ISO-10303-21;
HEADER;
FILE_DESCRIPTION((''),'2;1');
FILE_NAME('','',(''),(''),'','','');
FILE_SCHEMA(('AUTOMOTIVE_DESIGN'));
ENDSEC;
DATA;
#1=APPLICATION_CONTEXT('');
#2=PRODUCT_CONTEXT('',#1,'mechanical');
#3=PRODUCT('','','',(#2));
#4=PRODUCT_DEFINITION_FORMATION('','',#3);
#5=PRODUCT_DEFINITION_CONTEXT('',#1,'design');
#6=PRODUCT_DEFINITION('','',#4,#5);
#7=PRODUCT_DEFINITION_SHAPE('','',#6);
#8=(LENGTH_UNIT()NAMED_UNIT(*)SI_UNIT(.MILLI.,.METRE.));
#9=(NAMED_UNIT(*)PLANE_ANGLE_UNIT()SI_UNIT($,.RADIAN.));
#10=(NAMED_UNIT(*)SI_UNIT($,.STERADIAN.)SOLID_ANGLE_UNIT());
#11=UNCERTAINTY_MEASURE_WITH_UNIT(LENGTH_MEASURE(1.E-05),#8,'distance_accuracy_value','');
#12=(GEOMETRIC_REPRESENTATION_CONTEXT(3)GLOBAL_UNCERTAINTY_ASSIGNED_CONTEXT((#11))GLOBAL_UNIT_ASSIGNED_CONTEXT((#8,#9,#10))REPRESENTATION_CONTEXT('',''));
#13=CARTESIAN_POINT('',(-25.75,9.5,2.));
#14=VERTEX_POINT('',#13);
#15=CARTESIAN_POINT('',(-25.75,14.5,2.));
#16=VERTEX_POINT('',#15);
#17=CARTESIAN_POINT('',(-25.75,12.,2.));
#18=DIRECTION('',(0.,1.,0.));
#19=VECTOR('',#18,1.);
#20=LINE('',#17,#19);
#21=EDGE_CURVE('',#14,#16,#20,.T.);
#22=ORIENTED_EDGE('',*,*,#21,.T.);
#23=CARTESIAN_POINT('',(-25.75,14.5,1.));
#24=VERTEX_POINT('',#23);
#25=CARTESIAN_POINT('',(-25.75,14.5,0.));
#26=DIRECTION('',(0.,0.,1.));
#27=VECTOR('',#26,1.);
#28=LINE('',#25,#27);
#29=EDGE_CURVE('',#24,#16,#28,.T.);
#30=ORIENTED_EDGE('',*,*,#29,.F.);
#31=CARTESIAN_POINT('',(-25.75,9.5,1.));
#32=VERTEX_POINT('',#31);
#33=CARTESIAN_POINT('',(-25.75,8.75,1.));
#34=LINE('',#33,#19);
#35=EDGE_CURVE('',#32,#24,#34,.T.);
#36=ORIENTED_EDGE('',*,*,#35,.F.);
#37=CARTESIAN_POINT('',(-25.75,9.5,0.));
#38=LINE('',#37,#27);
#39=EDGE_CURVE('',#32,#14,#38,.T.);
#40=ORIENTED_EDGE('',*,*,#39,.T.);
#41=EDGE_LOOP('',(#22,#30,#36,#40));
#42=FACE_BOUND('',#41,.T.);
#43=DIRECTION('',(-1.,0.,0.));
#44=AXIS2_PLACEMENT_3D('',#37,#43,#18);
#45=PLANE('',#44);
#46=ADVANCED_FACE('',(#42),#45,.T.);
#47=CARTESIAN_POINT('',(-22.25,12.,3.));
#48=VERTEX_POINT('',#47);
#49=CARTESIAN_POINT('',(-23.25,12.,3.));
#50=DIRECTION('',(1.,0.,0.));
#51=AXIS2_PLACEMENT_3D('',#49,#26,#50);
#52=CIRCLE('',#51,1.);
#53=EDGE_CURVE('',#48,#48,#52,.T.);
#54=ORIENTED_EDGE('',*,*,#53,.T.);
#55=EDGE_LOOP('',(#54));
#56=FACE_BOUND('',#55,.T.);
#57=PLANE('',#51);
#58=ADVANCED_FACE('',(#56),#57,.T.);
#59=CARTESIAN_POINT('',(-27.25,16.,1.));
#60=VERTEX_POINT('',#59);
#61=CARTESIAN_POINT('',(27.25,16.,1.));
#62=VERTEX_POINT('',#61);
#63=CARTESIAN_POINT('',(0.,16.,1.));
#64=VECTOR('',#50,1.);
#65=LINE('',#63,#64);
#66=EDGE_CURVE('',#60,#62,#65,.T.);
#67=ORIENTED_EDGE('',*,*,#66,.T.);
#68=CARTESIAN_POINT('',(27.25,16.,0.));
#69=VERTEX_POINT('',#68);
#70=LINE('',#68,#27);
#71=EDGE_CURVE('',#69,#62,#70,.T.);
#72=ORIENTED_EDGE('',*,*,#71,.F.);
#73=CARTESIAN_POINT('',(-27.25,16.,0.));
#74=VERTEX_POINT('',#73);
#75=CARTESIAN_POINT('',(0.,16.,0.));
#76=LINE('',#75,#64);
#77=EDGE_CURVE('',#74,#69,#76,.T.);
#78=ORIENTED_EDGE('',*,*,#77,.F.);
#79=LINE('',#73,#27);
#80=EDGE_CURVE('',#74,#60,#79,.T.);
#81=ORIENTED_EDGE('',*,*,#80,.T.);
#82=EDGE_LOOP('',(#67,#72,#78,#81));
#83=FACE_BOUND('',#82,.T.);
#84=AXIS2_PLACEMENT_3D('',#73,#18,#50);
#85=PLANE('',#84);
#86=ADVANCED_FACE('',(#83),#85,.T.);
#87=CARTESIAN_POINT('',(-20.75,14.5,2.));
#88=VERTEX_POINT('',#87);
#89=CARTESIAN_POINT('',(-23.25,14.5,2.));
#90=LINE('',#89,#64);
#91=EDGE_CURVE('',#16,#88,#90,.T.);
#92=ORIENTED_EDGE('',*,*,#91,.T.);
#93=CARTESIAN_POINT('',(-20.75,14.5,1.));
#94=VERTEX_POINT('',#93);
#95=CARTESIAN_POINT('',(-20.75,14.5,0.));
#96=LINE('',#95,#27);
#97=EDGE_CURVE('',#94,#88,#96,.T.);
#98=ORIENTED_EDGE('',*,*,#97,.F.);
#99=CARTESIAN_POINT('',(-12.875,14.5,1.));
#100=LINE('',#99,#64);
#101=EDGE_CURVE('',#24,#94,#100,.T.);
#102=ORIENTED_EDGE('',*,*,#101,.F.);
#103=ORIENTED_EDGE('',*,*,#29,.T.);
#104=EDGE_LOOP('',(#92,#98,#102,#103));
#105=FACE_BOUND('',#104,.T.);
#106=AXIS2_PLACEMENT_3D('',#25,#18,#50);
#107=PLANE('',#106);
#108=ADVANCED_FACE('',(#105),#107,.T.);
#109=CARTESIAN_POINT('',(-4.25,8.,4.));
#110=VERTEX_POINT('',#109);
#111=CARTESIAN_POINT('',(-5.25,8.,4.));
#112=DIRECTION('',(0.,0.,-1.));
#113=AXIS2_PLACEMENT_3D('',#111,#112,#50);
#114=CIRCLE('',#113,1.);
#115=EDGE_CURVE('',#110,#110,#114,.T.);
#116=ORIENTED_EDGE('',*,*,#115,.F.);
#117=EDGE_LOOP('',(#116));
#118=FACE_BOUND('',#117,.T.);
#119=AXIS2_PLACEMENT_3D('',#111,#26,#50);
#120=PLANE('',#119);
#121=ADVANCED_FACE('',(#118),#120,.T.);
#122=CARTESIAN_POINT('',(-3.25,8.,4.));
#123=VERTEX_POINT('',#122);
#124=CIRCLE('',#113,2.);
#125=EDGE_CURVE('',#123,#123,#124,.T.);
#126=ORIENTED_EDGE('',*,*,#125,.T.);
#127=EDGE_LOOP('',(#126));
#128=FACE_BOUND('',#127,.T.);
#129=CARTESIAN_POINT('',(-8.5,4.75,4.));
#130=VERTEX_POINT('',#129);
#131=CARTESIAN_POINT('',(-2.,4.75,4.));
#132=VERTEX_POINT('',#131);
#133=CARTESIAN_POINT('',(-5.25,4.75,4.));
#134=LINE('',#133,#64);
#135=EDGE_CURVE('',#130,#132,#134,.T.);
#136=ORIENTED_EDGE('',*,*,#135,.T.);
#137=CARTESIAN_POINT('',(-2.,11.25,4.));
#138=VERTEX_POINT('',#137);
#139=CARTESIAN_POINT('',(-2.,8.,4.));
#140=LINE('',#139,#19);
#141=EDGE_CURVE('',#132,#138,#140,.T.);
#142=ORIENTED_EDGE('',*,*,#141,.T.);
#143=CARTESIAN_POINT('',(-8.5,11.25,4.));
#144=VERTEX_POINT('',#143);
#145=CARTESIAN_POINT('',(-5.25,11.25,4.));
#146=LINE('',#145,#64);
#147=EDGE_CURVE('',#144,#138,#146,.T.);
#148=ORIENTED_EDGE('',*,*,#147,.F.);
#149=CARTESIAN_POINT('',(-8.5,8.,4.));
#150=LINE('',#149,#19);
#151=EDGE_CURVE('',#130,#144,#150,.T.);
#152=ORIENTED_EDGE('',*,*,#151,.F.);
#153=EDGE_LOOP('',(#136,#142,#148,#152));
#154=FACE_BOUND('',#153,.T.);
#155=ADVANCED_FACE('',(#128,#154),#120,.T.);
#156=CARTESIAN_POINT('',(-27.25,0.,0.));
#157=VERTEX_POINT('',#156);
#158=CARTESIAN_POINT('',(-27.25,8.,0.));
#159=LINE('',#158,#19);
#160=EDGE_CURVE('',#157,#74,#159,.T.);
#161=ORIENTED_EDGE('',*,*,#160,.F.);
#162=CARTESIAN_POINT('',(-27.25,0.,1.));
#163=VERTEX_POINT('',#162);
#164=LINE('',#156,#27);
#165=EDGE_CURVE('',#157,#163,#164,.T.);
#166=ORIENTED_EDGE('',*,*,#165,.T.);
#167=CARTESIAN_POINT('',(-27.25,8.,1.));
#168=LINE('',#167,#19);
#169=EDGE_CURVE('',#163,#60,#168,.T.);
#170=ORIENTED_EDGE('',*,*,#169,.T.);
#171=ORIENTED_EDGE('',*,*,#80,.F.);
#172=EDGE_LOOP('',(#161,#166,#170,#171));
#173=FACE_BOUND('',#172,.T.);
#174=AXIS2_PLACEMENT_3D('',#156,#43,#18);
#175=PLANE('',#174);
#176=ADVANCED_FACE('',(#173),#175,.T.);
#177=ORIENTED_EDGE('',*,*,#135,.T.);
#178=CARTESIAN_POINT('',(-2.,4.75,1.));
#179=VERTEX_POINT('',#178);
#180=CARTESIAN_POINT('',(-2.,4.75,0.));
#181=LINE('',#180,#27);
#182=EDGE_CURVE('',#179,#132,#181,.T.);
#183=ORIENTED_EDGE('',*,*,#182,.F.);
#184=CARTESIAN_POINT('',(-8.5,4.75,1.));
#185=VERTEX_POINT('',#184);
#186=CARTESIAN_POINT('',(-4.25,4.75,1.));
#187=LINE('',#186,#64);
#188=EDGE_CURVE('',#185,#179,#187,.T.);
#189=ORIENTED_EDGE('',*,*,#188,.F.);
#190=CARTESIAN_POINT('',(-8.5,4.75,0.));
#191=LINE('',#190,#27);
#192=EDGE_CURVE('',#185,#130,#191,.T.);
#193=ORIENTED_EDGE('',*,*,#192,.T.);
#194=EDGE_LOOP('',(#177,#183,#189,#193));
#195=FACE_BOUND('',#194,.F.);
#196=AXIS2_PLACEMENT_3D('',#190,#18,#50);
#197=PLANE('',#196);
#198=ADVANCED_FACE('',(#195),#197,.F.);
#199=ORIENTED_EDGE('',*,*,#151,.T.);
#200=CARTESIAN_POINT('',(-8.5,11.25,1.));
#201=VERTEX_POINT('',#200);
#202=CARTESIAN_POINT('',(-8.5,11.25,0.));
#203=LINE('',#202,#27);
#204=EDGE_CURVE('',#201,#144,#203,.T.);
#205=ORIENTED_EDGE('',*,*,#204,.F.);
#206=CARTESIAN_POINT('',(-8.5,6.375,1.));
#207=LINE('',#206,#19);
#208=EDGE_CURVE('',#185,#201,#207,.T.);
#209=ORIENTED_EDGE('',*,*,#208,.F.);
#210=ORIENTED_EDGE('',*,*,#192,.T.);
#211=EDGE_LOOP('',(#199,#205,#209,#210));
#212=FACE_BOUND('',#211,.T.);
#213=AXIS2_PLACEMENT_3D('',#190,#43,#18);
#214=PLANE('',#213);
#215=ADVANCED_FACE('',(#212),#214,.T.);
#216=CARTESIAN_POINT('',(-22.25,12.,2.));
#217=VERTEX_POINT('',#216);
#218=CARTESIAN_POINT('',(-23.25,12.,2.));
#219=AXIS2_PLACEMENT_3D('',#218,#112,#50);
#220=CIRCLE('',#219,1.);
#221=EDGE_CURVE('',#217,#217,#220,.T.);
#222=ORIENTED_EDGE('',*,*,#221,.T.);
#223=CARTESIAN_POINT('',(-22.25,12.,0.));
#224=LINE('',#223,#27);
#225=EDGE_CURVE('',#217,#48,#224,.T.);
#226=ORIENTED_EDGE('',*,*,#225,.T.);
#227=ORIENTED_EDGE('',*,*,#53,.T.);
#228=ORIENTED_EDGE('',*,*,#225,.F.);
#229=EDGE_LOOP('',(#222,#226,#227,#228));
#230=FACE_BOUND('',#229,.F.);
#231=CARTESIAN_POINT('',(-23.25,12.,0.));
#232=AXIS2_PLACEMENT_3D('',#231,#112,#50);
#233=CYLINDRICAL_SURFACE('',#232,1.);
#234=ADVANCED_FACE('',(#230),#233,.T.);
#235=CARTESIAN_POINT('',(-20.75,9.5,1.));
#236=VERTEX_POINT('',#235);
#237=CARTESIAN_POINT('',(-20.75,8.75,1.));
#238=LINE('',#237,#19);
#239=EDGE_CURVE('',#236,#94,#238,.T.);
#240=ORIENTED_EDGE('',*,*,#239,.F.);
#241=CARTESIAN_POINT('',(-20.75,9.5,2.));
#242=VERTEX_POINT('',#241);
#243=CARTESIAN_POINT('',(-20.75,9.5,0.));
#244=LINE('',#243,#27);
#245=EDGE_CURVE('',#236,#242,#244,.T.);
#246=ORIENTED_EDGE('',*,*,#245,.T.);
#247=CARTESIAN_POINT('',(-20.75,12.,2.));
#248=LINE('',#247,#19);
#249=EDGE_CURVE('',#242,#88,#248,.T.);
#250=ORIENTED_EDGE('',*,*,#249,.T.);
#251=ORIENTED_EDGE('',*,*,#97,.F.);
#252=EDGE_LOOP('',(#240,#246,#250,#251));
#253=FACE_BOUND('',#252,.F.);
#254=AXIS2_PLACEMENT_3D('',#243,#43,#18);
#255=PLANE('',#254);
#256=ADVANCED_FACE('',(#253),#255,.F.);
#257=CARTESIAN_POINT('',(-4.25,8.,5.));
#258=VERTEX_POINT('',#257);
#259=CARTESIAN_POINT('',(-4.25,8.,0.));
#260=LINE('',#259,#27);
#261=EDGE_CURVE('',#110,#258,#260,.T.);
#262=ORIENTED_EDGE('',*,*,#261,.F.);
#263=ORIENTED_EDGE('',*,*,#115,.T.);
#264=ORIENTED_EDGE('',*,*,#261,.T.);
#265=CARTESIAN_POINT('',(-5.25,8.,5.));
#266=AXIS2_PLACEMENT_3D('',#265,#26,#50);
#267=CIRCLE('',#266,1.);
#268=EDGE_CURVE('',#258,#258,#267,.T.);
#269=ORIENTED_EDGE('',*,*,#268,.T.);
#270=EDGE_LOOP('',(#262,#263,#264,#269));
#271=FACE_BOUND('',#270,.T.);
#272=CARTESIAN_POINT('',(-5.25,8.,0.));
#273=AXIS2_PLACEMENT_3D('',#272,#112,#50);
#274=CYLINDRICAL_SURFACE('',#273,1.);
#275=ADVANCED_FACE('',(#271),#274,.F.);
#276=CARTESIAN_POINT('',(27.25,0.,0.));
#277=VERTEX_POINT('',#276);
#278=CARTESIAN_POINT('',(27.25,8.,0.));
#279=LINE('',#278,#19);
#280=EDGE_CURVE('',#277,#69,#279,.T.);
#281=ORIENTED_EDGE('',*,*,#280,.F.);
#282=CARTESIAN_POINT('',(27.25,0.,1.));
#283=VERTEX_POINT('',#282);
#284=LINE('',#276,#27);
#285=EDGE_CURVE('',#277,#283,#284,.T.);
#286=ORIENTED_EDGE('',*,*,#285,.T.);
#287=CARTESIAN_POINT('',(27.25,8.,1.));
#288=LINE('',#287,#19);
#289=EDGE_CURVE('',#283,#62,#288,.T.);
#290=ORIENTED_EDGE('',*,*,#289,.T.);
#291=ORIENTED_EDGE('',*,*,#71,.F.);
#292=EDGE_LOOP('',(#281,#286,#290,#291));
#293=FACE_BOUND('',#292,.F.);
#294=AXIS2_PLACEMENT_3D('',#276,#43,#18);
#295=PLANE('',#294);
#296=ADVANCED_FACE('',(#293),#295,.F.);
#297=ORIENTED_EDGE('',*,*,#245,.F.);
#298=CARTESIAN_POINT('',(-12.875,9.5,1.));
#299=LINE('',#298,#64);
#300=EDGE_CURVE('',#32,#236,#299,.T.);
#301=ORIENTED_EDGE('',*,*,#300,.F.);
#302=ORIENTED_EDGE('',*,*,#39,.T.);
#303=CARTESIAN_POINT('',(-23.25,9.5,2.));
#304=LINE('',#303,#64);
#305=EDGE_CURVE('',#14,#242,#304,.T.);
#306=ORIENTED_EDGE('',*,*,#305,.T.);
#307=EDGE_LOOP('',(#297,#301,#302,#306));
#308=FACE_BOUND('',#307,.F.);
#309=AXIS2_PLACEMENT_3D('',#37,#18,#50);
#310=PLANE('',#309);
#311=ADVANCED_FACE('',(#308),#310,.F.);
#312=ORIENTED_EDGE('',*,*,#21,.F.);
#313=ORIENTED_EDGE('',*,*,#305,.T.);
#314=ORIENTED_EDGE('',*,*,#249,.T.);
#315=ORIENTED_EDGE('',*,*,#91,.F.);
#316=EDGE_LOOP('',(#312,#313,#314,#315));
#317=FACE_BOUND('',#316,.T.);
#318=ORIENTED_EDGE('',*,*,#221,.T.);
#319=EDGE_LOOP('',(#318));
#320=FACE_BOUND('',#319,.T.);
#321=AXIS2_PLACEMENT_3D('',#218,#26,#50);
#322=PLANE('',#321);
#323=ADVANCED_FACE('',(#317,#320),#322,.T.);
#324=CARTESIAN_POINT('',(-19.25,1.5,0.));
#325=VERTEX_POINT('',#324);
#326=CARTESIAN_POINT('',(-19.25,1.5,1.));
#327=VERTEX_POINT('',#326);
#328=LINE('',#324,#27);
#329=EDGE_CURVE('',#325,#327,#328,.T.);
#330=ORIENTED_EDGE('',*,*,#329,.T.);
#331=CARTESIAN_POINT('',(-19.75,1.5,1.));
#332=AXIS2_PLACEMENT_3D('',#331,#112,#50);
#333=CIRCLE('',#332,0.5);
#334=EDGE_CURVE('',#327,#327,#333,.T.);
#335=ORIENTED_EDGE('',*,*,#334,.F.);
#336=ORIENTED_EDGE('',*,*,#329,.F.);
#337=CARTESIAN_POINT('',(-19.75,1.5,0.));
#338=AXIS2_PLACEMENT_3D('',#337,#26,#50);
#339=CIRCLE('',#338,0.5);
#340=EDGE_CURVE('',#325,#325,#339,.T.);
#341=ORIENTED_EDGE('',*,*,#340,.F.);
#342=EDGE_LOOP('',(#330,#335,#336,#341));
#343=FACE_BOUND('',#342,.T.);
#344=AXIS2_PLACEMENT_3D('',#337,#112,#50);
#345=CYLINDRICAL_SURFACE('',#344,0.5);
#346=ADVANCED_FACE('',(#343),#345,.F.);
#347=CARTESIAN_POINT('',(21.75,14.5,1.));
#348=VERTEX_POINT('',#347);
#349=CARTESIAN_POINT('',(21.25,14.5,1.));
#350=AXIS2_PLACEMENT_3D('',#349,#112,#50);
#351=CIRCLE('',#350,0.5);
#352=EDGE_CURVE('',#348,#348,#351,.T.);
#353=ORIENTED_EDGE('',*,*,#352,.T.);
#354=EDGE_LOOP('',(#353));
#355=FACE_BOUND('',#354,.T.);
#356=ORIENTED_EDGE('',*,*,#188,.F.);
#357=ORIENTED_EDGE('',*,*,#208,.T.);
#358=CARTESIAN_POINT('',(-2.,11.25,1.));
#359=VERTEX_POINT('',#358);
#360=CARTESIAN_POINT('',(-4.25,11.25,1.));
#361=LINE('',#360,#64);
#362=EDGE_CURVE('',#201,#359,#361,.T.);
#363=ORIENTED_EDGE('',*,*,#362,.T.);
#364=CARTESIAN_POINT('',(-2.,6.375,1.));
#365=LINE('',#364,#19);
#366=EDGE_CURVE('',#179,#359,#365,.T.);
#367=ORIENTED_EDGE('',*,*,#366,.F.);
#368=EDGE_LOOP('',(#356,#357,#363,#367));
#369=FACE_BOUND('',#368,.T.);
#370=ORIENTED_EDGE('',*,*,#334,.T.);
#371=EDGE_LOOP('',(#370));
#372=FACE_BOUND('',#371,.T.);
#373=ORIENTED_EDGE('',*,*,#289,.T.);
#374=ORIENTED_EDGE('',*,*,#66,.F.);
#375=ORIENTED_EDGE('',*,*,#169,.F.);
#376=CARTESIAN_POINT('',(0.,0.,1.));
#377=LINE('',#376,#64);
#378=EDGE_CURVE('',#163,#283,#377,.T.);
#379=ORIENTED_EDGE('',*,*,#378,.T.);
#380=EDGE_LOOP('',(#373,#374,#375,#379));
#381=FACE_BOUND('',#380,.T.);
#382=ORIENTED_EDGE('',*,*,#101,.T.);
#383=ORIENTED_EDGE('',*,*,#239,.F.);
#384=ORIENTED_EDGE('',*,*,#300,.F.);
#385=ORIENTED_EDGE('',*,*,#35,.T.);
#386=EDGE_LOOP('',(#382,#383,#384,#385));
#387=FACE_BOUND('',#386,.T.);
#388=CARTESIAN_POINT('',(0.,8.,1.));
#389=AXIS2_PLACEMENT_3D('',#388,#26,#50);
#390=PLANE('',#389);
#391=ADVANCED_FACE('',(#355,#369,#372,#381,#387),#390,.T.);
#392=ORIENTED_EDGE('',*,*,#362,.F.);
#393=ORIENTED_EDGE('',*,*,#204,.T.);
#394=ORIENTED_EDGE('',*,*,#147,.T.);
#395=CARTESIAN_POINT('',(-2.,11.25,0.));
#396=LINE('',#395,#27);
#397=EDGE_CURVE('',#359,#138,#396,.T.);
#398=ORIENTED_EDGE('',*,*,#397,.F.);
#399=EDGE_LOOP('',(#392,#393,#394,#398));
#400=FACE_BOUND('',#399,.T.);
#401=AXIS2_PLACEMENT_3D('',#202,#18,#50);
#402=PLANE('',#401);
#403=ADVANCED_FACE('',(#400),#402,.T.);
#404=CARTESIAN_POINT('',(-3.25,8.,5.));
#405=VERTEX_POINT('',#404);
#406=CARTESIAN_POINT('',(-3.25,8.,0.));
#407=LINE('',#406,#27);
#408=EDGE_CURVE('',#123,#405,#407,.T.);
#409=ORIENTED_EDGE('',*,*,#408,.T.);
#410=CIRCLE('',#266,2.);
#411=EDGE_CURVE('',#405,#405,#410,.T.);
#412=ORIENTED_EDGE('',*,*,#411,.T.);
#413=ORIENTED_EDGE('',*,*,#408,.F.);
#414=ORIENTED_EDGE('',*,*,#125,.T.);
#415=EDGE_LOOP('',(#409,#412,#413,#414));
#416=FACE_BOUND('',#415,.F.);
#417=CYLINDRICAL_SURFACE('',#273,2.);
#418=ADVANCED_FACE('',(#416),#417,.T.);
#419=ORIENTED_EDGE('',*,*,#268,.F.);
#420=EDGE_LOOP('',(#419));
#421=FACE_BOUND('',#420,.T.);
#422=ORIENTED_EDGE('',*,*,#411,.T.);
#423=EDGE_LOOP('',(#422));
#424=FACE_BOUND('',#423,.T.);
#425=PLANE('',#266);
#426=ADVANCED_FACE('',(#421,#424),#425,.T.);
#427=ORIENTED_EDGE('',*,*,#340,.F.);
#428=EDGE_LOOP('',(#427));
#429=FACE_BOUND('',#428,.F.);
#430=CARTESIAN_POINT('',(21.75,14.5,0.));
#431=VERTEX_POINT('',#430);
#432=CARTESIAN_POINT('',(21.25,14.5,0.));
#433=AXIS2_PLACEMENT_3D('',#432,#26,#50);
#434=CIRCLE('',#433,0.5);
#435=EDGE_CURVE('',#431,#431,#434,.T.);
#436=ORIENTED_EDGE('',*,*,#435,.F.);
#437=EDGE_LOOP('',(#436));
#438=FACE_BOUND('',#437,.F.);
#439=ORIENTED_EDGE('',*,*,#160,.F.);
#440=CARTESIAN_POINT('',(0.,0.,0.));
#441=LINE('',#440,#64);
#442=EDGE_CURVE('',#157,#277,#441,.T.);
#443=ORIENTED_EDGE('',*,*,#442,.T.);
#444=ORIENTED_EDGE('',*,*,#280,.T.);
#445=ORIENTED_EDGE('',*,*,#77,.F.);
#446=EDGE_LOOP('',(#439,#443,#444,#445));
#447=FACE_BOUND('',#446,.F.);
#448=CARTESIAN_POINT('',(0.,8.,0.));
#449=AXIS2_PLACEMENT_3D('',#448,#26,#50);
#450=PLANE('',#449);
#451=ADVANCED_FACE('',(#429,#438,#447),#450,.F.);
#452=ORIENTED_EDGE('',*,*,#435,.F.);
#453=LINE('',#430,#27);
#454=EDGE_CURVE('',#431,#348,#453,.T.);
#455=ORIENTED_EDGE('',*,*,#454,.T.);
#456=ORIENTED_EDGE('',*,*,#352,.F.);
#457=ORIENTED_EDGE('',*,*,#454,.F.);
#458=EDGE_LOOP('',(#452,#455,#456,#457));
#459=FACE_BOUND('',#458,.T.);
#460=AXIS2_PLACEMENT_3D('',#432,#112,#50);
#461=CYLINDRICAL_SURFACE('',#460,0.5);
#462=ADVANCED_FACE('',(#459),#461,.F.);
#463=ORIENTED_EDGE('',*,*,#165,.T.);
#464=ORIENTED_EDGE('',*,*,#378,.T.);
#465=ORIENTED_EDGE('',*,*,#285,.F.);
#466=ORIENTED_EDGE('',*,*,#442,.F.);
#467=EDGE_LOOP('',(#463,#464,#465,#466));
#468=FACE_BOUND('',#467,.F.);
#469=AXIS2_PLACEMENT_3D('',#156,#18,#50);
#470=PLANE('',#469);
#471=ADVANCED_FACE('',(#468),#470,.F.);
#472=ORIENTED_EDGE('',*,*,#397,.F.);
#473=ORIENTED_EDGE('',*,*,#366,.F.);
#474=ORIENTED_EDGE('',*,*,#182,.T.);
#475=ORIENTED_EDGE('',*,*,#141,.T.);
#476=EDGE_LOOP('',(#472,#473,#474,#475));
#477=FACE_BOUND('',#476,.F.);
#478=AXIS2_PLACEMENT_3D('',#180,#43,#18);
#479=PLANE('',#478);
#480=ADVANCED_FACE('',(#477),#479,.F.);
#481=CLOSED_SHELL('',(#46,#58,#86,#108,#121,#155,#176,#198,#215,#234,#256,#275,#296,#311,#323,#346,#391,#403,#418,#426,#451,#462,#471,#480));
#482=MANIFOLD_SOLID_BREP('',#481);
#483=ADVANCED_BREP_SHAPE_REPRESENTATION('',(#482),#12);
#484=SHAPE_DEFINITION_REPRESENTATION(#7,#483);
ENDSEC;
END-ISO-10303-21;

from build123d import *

# Parameters (mm, degrees)
BOX001_W          = 5
BOX001_H          = 5
BOX001_DEPTH      = 2
CYLINDER004_R     = 1
CYLINDER004_DEPTH = 3
CYLINDER002_R     = 0.5
CYLINDER002_DEPTH = 10
CYLINDER003_R     = 0.5
CYLINDER003_DEPTH = 10
BOX_W             = 54.5
BOX_H             = 16
BOX_DEPTH         = 1
BOX002_W          = 6.5
BOX002_H          = 6.5
BOX002_DEPTH      = 4
CYLINDER006_R     = 1
CYLINDER006_DEPTH = 5
CYLINDER005_R     = 2
CYLINDER005_DEPTH = 5


with BuildPart() as cube001:
    # Box001 → Box001 (new body)
    with BuildSketch(Plane(origin=(1.5, 9.5, 0), x_dir=(1, 0, 0), z_dir=(0, 0, 1))):
        with Locations((2.5, 2.5)):
            Rectangle(BOX001_W, BOX001_H)
    extrude(amount=BOX001_DEPTH)


with BuildPart() as cylinder004:
    # Cylinder004 → Cylinder004 (new body)
    with BuildSketch(Plane(origin=(4, 12, 0), x_dir=(1, 0, 0), z_dir=(0, 0, 1))):
        Circle(CYLINDER004_R)
    extrude(amount=CYLINDER004_DEPTH)


with BuildPart() as cylinder002:
    # Cylinder002 → Cylinder002 (new body)
    with BuildSketch(Plane(origin=(48.5, 14.5, 0), x_dir=(1, 0, 0), z_dir=(0, 0, 1))):
        Circle(CYLINDER002_R)
    extrude(amount=CYLINDER002_DEPTH)


with BuildPart() as fusion:
    # Cylinder003 → Cylinder003 (new body)
    with BuildSketch(Plane(origin=(7.5, 1.5, 0), x_dir=(1, 0, 0), z_dir=(0, 0, 1))):
        Circle(CYLINDER003_R)
    extrude(amount=CYLINDER003_DEPTH)

    # Fusion: union Cylinder002
    add(cylinder002.part)


with BuildPart() as cut:
    # Box → Box (new body)
    with BuildSketch(Plane.XY):
        with Locations((27.25, 8)):
            Rectangle(BOX_W, BOX_H)
    extrude(amount=BOX_DEPTH)

    # Cut: cut Fusion
    add(fusion.part, mode=Mode.SUBTRACT)


with BuildPart() as cube002:
    # Box002 → Box002 (new body)
    with BuildSketch(Plane(origin=(18.75, 4.75, 0), x_dir=(1, 0, 0), z_dir=(0, 0, 1))):
        with Locations((3.25, 3.25)):
            Rectangle(BOX002_W, BOX002_H)
    extrude(amount=BOX002_DEPTH)


with BuildPart() as cylinder006:
    # Cylinder006 → Cylinder006 (new body)
    with BuildSketch(Plane(origin=(22, 8, 0), x_dir=(1, 0, 0), z_dir=(0, 0, 1))):
        Circle(CYLINDER006_R)
    extrude(amount=CYLINDER006_DEPTH)


with BuildPart() as pcb_pred:
    # Cylinder005 → Cylinder005 (new body)
    with BuildSketch(Plane(origin=(22, 8, 0), x_dir=(1, 0, 0), z_dir=(0, 0, 1))):
        Circle(CYLINDER005_R)
    extrude(amount=CYLINDER005_DEPTH)

    # Cut001: cut Cylinder006
    add(cylinder006.part, mode=Mode.SUBTRACT)

    # Fusion001: union Cube002
    add(cube002.part)

    # Fusion002: union Cube001, Cylinder004, Cut
    add(cube001.part)
    add(cylinder004.part)
    add(cut.part)


with BuildPart() as pcb_pred_1:
    # Fusion002 placement: moved
    add(pcb_pred.part.moved(Location((-27.25, 0, 0))))


solid = pcb_pred_1.part
